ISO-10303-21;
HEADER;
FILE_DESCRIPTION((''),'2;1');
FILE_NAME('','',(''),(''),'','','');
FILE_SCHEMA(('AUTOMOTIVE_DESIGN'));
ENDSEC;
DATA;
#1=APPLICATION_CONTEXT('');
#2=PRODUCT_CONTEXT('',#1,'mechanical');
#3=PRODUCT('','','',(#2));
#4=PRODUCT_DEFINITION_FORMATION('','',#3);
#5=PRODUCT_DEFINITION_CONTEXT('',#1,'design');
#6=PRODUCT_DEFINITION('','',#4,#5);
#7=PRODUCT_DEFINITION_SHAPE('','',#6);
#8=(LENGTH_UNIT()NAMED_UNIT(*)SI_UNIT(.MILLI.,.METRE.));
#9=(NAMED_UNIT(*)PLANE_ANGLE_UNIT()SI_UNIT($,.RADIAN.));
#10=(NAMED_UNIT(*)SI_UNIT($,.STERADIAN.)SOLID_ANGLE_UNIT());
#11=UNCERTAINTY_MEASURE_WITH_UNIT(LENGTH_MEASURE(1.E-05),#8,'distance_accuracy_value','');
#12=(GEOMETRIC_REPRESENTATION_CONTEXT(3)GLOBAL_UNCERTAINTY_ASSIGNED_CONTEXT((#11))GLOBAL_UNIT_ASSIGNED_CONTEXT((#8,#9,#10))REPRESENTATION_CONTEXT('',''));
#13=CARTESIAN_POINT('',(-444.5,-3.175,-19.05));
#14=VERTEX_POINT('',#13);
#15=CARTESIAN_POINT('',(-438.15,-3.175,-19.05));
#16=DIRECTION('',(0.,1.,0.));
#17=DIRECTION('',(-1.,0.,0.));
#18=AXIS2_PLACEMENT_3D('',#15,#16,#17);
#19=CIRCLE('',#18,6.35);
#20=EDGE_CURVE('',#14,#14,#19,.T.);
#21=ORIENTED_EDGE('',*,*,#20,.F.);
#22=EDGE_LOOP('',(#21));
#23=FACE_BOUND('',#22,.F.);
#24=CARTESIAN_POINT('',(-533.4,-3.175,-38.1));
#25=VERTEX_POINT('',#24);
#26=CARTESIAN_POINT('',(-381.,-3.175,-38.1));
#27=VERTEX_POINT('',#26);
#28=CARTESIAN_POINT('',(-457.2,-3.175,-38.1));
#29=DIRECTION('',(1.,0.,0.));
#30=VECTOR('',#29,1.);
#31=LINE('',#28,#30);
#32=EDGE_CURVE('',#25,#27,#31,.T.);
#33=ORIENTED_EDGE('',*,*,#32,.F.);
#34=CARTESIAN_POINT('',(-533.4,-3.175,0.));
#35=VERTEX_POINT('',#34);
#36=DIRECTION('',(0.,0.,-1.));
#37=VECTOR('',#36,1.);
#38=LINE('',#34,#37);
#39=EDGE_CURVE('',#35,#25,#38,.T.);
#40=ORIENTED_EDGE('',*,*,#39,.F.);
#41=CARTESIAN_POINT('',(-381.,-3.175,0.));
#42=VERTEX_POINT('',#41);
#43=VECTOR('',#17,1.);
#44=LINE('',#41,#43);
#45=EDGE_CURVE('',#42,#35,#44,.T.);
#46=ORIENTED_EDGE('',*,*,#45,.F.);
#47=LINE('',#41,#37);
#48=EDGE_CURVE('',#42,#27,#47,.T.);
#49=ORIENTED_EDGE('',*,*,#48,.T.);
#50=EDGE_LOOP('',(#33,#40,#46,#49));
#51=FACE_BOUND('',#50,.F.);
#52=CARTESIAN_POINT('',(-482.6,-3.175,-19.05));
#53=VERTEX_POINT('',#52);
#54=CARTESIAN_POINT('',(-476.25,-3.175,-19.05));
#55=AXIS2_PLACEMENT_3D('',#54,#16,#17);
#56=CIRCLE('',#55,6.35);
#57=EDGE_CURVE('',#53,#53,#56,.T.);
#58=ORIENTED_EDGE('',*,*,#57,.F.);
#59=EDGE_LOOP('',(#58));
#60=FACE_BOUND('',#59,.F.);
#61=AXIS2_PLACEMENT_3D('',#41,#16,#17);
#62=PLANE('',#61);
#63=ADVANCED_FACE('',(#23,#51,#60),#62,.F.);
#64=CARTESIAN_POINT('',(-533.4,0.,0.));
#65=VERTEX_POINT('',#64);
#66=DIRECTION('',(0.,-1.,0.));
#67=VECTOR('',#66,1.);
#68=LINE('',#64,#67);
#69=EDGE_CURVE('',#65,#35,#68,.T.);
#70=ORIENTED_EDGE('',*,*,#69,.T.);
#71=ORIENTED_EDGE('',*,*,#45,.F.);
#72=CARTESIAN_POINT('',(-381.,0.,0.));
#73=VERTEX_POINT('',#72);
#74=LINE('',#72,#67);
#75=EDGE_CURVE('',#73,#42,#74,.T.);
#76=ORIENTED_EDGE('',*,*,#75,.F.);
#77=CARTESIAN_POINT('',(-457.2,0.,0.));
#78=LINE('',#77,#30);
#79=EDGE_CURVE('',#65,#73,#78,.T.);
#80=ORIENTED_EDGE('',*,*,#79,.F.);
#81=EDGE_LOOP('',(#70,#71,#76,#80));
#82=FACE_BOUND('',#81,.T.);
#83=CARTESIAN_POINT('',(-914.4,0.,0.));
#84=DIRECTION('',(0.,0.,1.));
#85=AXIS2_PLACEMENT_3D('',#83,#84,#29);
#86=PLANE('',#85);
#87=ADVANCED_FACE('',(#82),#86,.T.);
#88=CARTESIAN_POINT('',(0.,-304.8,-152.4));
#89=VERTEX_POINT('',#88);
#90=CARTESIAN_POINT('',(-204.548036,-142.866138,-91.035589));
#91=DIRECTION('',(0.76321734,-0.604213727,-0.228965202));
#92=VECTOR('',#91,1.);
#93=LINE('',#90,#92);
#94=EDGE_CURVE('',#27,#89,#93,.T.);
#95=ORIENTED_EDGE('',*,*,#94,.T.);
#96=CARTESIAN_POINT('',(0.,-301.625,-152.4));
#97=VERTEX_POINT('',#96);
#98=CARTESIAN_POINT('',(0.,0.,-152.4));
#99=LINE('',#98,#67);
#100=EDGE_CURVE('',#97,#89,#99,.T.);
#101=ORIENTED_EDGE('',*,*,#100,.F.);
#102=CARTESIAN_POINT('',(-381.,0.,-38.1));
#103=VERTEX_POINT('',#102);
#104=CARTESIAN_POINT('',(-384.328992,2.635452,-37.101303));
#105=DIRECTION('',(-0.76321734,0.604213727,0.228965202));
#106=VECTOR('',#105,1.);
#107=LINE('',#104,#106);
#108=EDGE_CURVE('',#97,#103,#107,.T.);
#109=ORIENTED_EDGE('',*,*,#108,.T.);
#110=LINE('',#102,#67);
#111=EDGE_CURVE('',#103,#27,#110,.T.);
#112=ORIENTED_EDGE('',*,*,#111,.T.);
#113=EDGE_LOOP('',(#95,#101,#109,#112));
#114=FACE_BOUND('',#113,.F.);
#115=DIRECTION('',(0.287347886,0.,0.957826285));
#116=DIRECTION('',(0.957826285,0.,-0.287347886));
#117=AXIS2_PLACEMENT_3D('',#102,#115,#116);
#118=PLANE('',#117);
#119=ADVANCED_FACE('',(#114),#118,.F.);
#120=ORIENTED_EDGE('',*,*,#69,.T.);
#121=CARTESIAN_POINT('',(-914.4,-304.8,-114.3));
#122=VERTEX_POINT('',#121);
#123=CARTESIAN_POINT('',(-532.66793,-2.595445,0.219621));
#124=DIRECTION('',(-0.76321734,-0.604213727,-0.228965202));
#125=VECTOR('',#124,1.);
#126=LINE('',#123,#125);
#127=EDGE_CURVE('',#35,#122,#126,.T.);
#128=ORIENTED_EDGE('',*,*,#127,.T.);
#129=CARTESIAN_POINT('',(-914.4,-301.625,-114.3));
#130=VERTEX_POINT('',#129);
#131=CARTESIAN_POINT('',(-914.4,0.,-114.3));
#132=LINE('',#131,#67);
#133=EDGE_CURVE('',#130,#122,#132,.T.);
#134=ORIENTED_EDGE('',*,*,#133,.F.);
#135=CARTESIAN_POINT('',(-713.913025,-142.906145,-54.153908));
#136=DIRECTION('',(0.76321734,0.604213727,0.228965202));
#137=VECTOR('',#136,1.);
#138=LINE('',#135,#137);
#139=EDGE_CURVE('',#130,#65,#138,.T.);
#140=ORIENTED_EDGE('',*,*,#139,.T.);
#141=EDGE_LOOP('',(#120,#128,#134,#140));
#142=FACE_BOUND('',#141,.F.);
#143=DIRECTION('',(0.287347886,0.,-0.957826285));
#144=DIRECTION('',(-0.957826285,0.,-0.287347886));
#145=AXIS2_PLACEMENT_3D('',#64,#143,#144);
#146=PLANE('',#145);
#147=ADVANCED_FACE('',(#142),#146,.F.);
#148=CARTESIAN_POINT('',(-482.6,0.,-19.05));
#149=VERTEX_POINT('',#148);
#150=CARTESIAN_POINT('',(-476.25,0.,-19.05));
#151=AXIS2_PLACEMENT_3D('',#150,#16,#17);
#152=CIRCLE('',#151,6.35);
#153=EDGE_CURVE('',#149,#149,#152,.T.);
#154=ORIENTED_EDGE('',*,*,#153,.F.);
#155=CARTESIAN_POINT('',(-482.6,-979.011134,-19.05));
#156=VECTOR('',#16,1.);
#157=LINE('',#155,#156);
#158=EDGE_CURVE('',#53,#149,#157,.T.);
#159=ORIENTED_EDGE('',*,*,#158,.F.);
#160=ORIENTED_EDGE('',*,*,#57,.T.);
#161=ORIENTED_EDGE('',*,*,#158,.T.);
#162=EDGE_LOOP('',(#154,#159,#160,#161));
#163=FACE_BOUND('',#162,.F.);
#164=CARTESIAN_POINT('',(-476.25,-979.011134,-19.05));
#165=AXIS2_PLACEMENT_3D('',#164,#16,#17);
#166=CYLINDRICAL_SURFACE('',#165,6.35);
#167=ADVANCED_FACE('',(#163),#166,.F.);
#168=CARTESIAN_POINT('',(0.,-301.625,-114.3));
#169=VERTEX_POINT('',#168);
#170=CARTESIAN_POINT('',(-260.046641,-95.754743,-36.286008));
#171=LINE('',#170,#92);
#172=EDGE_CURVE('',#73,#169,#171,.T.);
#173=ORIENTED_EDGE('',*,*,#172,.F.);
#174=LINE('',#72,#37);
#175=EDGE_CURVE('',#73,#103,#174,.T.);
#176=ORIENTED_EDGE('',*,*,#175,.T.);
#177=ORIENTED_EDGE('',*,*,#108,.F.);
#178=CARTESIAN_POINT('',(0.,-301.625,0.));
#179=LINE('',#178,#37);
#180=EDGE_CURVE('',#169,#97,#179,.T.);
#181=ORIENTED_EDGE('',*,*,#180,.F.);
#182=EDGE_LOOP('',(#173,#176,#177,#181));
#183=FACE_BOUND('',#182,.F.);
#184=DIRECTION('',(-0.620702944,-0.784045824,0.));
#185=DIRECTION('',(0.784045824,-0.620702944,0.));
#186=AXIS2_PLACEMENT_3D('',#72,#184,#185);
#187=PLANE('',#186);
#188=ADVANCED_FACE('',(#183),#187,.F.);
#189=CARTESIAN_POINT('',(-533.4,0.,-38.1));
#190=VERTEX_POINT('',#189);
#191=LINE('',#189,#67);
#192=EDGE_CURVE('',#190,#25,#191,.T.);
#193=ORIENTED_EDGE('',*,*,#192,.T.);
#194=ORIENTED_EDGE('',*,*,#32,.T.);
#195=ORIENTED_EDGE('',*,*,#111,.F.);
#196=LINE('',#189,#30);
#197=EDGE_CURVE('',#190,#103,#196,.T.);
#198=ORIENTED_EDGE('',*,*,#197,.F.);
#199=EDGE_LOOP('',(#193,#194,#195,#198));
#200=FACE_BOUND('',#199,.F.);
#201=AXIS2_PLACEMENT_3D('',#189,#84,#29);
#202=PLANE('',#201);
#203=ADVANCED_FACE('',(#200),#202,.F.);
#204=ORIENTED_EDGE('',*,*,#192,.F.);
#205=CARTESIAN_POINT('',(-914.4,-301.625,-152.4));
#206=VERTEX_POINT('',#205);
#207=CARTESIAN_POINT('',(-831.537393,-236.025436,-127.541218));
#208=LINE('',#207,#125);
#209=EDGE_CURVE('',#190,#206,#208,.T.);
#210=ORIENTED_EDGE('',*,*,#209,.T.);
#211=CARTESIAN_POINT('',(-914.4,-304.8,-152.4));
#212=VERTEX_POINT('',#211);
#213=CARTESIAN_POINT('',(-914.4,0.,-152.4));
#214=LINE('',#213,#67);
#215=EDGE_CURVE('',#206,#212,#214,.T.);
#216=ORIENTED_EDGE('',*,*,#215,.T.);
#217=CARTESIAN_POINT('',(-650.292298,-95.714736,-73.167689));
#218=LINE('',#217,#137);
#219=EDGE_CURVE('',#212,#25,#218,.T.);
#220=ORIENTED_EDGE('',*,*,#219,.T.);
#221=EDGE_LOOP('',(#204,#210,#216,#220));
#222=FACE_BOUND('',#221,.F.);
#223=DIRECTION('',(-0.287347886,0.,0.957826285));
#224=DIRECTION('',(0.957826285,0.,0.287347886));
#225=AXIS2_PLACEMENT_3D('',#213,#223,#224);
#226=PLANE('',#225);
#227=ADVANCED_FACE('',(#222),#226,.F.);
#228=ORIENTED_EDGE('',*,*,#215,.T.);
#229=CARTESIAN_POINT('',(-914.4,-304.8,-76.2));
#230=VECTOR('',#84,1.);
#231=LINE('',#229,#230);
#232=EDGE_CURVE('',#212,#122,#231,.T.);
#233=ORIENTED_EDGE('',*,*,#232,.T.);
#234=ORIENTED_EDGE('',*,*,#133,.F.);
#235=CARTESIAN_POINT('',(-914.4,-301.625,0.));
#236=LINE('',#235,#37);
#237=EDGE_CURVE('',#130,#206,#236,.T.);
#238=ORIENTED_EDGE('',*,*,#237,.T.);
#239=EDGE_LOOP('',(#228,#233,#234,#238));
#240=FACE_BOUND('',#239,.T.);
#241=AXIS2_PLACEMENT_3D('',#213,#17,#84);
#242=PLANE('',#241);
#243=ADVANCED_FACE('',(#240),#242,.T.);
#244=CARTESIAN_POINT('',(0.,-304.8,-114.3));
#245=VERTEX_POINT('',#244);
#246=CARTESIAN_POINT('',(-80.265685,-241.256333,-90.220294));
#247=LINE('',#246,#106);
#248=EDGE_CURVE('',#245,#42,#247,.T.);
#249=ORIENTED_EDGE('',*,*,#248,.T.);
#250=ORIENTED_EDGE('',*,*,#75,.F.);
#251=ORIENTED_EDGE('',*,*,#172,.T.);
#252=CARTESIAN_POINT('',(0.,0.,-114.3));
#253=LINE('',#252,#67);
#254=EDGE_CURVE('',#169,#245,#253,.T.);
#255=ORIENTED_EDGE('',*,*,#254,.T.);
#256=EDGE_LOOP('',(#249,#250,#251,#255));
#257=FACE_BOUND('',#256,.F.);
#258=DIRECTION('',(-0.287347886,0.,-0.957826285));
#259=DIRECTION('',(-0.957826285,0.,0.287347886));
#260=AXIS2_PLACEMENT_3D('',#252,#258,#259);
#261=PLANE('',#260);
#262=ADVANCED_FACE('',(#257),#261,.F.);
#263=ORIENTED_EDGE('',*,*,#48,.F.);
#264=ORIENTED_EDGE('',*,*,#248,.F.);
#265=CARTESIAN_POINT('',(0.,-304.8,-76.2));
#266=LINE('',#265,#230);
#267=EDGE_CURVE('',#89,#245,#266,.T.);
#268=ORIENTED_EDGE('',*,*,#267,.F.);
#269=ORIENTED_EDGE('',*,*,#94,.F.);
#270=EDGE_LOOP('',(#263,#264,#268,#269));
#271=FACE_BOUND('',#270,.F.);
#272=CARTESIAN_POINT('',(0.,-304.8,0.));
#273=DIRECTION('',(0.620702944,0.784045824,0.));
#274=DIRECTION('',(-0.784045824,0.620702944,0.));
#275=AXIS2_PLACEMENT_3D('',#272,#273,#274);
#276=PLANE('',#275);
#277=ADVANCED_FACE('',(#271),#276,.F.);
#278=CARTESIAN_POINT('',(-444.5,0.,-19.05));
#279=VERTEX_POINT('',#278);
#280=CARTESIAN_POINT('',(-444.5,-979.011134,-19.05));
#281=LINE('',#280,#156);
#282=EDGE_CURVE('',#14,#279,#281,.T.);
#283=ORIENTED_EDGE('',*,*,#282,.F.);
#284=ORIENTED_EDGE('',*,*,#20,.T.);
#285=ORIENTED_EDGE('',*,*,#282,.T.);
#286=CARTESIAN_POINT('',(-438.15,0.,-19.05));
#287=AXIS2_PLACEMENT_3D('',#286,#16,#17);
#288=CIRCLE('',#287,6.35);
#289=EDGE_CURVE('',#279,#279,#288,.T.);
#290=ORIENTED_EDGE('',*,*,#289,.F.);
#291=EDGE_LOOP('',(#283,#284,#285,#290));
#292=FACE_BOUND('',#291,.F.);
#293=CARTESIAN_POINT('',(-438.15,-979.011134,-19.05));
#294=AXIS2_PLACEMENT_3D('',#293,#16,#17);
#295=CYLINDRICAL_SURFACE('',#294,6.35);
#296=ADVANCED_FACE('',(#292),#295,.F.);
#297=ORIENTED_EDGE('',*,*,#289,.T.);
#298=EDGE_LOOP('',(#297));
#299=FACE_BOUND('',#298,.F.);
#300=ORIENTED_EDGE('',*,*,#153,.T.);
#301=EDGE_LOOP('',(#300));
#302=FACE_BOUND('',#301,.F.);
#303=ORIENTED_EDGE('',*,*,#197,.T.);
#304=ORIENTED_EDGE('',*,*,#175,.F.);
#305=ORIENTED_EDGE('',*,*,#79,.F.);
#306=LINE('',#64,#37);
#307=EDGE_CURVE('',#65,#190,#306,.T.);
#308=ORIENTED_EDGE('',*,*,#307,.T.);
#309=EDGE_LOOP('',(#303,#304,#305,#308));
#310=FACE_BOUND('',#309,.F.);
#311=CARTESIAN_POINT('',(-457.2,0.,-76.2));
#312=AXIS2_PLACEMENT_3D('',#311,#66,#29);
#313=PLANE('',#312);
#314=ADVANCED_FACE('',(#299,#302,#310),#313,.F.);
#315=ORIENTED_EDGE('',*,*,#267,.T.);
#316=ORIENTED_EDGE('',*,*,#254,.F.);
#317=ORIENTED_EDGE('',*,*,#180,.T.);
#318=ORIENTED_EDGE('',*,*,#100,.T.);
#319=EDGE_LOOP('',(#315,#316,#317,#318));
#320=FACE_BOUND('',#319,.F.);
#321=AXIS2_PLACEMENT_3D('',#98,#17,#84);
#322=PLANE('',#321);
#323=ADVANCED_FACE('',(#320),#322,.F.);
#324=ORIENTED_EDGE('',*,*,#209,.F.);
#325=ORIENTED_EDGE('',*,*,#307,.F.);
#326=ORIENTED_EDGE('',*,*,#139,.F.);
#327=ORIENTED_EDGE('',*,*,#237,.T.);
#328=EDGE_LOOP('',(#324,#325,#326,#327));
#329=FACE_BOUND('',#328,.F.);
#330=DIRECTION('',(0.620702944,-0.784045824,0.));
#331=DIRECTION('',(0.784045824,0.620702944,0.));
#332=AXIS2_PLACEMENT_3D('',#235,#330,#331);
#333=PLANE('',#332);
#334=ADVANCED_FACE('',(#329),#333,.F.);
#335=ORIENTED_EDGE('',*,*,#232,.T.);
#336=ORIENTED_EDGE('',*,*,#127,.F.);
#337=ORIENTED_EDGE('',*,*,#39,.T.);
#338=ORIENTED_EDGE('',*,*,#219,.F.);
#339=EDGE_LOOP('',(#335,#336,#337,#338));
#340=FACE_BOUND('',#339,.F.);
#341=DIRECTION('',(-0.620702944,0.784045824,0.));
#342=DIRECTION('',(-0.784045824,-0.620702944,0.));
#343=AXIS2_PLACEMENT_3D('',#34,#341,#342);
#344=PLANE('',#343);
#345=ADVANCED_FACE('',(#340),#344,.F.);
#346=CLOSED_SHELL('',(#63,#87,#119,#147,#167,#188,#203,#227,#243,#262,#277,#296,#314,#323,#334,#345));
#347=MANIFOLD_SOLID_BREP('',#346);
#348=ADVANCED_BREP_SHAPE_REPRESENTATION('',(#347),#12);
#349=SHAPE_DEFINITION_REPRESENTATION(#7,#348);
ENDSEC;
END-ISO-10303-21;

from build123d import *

# Parameters (mm, degrees)
F0_W      = 914.4
F0_H      = 152.4
F1_DEPTH  = 304.8
F3_DEPTH  = 152.401
F5_DEPTH  = 152.401
F7_DEPTH  = 152.401
F9_DEPTH  = 304.801
F11_DEPTH = 304.801
F13_DEPTH = 304.801
F15_D     = 12.7


with BuildPart() as f1:
    # F0 (on Front) → F1 (new body)
    with BuildSketch(Plane.XZ):
        with Locations((-457.2, -76.2)):
            Rectangle(F0_W, F0_H)
    extrude(amount=F1_DEPTH)

    # F2 (on face) → F3 (cut, through all)
    with BuildSketch(Plane.XY):
        Polygon((-381, -3.175), (-533.4, -3.175), (-914.4, -304.8), (0, -304.8), align=None)
    extrude(amount=-F3_DEPTH, mode=Mode.SUBTRACT)

    # F4 (on face) → F5 (cut, through all)
    with BuildSketch(Plane.XY):
        Polygon((-914.4, 0), (-914.4, -301.625), (-533.4, 0), align=None)
    extrude(amount=-F5_DEPTH, mode=Mode.SUBTRACT)

    # F6 (on face) → F7 (cut, through all)
    with BuildSketch(Plane.XY):
        Polygon((0, 0), (-381, 0), (0, -301.625), align=None)
    extrude(amount=-F7_DEPTH, mode=Mode.SUBTRACT)

    # F8 (on face) → F9 (cut, through all)
    with BuildSketch(Plane(origin=(0, 0, 0), x_dir=(-1, 0, 0), z_dir=(0, 1, 0))):
        Polygon((381, -38.1), (0, -152.4), (914.4, -152.4), (533.4, -38.1), align=None)
    extrude(amount=-F9_DEPTH, mode=Mode.SUBTRACT)

    # F10 (on face) → F11 (cut, through all)
    with BuildSketch(Plane(origin=(0, 0, 0), x_dir=(-1, 0, 0), z_dir=(0, 1, 0))):
        Polygon((0, -114.3), (381, 0), (0, 0), align=None)
    extrude(amount=-F11_DEPTH, mode=Mode.SUBTRACT)

    # F12 (on face) → F13 (cut, through all)
    with BuildSketch(Plane(origin=(0, 0, 0), x_dir=(-1, 0, 0), z_dir=(0, 1, 0))):
        Polygon((914.4, 0), (533.4, 0), (914.4, -114.3), align=None)
    extrude(amount=-F13_DEPTH, mode=Mode.SUBTRACT)

    # F15 (through all)
    with Locations(Plane.XZ.offset(3.175)):
        with Locations((-476.25, -19.05), (-438.15, -19.05)):
            Hole(F15_D / 2)


solid = f1.part
